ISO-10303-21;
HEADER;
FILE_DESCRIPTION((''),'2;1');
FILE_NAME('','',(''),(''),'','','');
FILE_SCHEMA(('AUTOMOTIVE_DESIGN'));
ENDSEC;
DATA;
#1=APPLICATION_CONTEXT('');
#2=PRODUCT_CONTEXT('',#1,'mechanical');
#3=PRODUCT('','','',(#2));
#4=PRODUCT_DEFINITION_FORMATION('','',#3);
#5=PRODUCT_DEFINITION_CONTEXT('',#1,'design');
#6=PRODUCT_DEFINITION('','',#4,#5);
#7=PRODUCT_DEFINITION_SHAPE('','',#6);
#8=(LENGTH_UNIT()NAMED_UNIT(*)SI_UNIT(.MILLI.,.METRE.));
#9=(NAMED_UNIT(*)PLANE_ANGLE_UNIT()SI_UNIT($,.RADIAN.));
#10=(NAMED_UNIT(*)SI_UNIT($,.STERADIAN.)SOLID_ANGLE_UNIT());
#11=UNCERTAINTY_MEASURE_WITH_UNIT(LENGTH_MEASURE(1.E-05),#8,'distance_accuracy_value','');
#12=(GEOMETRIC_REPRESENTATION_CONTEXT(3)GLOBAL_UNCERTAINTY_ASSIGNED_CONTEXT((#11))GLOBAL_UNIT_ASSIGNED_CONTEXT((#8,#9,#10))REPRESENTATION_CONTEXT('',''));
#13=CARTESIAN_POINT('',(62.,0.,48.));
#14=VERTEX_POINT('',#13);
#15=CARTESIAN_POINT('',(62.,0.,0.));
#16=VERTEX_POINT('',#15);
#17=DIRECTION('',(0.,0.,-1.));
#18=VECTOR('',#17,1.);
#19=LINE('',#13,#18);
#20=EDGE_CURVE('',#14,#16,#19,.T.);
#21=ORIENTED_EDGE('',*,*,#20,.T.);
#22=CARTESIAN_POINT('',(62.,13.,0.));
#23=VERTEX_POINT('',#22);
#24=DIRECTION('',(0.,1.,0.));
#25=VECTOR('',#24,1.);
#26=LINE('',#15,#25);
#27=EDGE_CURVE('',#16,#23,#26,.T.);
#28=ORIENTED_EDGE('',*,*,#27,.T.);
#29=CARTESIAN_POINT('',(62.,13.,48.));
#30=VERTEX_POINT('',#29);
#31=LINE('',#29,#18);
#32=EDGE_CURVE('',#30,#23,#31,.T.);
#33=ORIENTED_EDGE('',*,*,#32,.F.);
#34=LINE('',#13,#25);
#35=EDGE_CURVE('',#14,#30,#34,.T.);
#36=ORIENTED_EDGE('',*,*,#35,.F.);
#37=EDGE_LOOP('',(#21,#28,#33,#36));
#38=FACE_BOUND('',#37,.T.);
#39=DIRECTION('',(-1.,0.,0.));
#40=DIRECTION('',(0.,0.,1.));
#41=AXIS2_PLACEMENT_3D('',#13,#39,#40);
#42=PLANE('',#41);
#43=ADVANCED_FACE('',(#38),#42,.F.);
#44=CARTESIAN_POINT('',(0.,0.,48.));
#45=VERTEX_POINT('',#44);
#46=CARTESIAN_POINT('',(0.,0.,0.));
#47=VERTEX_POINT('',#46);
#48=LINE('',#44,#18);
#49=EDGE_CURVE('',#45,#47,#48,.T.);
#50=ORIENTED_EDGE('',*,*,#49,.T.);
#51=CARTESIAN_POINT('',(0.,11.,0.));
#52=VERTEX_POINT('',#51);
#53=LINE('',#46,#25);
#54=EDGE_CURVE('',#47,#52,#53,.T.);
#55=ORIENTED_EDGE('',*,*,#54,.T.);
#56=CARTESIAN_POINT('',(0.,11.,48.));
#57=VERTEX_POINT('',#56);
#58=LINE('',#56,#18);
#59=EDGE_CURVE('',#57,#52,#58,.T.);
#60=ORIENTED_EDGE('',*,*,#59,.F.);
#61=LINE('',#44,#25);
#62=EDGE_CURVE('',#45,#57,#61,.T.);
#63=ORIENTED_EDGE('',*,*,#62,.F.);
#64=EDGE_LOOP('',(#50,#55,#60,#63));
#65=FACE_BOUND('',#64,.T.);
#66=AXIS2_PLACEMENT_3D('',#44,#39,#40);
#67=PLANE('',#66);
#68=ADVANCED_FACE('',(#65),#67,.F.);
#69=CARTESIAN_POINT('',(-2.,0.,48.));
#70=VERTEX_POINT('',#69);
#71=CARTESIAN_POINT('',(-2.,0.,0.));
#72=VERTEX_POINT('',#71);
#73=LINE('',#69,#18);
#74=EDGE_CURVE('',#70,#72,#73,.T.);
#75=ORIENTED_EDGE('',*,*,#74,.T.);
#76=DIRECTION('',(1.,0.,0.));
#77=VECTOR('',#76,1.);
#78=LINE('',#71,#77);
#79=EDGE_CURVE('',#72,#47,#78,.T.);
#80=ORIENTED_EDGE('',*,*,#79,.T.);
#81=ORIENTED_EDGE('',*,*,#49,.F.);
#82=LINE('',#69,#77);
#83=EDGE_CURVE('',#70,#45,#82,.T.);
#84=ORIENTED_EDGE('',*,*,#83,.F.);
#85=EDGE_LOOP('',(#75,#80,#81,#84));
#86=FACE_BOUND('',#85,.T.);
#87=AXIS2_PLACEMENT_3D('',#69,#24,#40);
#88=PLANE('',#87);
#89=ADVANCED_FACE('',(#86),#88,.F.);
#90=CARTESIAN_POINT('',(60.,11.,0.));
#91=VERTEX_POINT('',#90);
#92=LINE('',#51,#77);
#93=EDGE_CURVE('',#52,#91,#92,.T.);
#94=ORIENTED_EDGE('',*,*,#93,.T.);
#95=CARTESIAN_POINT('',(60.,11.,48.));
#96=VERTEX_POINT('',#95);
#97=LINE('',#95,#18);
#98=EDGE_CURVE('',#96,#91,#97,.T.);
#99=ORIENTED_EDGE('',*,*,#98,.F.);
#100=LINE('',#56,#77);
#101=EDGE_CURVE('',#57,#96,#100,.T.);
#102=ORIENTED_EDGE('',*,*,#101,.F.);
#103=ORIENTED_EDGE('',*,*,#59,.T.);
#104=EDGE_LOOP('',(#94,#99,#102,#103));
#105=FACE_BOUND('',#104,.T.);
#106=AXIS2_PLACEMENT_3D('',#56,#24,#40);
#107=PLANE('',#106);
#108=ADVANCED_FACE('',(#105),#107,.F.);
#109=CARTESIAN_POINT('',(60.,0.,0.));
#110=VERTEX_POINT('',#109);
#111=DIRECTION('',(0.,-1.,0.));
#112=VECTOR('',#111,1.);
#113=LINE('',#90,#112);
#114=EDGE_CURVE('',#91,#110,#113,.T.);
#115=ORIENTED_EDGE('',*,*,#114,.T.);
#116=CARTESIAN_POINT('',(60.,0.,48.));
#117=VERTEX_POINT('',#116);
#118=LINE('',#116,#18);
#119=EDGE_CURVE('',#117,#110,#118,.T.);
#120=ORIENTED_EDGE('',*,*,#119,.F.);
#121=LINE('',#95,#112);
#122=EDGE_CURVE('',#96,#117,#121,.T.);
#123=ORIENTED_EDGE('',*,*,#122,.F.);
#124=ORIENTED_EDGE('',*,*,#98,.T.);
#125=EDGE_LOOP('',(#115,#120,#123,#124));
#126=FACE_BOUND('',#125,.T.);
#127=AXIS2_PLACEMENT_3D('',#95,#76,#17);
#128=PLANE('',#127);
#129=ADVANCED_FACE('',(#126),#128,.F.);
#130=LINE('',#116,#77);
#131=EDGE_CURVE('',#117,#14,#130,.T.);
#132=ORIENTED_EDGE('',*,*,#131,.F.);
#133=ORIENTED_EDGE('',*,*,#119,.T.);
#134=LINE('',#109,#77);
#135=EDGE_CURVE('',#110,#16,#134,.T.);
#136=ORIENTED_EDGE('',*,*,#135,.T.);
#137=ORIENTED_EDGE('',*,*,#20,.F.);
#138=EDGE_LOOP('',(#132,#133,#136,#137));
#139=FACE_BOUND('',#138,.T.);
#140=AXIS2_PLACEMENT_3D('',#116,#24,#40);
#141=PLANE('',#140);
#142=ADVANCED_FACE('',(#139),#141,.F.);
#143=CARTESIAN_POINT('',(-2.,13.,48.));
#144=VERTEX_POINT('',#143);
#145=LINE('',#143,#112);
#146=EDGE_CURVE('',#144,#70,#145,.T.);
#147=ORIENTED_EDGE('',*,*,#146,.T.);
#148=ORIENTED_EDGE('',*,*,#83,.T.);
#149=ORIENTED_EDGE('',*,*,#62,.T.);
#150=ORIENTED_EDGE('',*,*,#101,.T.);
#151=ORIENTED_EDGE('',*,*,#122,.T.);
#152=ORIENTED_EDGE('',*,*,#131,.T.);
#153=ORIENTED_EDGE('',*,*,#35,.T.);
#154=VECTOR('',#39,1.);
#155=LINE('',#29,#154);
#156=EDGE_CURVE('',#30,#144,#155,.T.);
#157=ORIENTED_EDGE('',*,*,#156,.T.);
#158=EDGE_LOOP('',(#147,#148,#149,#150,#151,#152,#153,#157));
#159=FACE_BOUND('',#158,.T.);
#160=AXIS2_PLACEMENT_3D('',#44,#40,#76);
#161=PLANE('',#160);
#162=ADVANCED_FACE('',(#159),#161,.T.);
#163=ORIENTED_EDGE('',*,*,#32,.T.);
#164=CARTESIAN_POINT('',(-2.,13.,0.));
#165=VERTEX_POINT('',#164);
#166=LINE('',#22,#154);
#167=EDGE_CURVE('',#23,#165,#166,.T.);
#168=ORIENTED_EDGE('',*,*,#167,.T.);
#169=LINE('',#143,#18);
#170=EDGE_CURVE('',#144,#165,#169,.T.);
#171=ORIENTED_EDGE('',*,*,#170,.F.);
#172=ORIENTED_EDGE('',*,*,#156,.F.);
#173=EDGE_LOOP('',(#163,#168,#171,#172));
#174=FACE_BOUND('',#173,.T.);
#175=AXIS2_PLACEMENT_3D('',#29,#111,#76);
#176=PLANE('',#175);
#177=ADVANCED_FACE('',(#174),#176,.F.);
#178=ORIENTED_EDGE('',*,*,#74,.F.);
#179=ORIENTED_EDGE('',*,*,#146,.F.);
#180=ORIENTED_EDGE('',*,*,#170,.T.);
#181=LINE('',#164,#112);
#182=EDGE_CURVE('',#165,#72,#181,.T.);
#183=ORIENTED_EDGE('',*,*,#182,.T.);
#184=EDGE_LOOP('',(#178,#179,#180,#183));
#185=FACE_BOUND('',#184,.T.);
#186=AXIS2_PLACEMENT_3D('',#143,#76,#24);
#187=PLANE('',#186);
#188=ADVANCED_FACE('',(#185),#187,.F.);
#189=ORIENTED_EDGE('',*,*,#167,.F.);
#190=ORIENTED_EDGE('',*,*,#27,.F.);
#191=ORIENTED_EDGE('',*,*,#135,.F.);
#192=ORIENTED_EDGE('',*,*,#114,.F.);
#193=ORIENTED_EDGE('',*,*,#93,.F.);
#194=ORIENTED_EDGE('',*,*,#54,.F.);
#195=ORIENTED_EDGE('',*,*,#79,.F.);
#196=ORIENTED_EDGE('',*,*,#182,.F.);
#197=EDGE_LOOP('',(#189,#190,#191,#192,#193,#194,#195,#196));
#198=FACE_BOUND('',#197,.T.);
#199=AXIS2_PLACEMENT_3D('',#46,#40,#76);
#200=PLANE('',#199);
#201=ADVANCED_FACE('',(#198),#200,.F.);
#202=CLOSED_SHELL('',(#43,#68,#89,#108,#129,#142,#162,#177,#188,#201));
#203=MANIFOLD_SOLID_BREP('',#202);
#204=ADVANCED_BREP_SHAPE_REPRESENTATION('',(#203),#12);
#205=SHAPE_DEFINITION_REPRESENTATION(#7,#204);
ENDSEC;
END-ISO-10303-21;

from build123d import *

# Parameters (mm, degrees)
BOSS_EXTRUDE1_DEPTH = 48


with BuildPart() as part:
    # Sketch1 → Boss-Extrude1 (new body)
    with BuildSketch(Plane.XY):
        Polygon((0, 0), (0, 11), (60, 11), (60, 0), (62, 0), (62, 13), (-2, 13), (-2, 0), align=None)
    extrude(amount=BOSS_EXTRUDE1_DEPTH)


solid = part.part
